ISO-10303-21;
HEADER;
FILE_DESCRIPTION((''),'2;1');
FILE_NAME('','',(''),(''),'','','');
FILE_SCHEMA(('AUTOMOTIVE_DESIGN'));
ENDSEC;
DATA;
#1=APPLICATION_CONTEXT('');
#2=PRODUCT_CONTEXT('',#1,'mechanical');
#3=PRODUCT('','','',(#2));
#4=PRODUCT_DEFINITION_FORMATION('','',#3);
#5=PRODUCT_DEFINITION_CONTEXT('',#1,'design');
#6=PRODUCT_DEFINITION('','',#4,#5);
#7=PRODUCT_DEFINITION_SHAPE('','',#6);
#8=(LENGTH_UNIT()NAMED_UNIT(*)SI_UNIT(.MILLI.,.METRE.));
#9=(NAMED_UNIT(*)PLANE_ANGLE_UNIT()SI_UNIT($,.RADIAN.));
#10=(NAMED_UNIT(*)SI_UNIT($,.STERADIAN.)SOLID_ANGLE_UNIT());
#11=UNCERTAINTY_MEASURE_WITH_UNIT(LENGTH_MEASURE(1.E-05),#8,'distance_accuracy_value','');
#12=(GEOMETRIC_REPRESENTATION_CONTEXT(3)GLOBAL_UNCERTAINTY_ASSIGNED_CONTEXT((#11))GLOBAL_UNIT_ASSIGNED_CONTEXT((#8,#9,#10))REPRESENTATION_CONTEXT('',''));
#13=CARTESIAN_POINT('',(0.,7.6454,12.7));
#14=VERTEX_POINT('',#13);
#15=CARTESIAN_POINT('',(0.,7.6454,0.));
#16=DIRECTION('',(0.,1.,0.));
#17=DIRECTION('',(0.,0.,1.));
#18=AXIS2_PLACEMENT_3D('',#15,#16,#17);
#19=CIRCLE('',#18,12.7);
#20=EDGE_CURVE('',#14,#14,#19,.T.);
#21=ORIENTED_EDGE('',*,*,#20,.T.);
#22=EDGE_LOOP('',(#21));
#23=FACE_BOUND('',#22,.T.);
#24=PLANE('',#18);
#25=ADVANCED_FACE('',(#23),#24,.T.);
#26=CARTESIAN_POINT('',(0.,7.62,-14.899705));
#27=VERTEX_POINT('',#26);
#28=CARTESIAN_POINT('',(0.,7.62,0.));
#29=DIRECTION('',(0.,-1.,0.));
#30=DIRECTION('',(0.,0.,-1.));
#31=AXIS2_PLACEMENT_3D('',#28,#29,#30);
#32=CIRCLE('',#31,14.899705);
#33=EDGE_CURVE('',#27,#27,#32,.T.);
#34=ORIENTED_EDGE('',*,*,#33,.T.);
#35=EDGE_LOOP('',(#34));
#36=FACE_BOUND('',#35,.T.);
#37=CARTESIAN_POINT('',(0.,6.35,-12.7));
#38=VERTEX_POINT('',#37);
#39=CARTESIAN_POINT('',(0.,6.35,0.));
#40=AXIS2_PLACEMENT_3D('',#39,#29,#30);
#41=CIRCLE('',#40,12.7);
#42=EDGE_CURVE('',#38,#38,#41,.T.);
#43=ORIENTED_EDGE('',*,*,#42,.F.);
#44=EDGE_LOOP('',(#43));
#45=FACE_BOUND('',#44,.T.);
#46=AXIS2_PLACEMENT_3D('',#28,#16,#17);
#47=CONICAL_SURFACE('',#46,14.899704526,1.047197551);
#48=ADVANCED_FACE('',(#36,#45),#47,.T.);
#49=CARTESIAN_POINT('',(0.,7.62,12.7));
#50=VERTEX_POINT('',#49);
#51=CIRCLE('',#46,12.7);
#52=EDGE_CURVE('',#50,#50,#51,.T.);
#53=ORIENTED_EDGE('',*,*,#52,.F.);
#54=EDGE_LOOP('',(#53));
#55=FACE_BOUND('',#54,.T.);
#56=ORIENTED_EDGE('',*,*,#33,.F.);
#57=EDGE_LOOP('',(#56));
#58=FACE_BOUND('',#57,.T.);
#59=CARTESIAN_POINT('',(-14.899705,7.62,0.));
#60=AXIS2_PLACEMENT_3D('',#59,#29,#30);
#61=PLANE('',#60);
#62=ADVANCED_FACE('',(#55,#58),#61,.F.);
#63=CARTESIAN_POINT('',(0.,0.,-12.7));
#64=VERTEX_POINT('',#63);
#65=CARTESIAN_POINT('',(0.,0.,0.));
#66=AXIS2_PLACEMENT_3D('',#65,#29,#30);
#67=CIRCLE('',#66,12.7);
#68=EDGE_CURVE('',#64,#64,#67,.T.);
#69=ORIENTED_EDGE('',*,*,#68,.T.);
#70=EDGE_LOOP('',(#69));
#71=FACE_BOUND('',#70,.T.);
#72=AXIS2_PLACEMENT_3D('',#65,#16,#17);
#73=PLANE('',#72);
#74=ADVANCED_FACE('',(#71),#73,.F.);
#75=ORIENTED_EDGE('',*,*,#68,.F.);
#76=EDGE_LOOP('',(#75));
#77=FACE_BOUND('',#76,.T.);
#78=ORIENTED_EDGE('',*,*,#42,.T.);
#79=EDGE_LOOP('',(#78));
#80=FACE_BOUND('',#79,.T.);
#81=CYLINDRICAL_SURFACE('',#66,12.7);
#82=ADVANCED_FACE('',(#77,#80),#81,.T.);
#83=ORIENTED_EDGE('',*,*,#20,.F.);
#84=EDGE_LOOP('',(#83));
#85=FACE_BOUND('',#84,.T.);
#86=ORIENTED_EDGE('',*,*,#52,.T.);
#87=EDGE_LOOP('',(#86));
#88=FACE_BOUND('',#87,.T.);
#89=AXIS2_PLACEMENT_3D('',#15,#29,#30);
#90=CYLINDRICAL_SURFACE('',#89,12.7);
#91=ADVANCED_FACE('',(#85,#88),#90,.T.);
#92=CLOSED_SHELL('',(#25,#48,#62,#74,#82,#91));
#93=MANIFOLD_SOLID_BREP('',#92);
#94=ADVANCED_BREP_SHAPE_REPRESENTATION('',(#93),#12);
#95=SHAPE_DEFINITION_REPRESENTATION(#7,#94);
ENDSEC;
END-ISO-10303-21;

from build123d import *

# Parameters (mm, degrees)
SKETCH2_R           = 12.7
BOSS_EXTRUDE1_DEPTH = 0.0254


with BuildPart() as part:
    # Sketch1 → Revolve1 (revolve)
    with BuildSketch(Plane.XY):
        Polygon((0, 0), (-12.7, 0), (-12.7, 6.35), (-14.899704526, 7.62), (0, 7.62), align=None)
    revolve(axis=Axis((0, 0, 0), (0, 1, 0)))

    # Sketch2 → Boss-Extrude1 (add)
    with BuildSketch(Plane(origin=(0, 7.62, 0), x_dir=(1, 0, 0), z_dir=(0, 1, 0))):
        Circle(SKETCH2_R)
    extrude(amount=BOSS_EXTRUDE1_DEPTH)


solid = part.part
